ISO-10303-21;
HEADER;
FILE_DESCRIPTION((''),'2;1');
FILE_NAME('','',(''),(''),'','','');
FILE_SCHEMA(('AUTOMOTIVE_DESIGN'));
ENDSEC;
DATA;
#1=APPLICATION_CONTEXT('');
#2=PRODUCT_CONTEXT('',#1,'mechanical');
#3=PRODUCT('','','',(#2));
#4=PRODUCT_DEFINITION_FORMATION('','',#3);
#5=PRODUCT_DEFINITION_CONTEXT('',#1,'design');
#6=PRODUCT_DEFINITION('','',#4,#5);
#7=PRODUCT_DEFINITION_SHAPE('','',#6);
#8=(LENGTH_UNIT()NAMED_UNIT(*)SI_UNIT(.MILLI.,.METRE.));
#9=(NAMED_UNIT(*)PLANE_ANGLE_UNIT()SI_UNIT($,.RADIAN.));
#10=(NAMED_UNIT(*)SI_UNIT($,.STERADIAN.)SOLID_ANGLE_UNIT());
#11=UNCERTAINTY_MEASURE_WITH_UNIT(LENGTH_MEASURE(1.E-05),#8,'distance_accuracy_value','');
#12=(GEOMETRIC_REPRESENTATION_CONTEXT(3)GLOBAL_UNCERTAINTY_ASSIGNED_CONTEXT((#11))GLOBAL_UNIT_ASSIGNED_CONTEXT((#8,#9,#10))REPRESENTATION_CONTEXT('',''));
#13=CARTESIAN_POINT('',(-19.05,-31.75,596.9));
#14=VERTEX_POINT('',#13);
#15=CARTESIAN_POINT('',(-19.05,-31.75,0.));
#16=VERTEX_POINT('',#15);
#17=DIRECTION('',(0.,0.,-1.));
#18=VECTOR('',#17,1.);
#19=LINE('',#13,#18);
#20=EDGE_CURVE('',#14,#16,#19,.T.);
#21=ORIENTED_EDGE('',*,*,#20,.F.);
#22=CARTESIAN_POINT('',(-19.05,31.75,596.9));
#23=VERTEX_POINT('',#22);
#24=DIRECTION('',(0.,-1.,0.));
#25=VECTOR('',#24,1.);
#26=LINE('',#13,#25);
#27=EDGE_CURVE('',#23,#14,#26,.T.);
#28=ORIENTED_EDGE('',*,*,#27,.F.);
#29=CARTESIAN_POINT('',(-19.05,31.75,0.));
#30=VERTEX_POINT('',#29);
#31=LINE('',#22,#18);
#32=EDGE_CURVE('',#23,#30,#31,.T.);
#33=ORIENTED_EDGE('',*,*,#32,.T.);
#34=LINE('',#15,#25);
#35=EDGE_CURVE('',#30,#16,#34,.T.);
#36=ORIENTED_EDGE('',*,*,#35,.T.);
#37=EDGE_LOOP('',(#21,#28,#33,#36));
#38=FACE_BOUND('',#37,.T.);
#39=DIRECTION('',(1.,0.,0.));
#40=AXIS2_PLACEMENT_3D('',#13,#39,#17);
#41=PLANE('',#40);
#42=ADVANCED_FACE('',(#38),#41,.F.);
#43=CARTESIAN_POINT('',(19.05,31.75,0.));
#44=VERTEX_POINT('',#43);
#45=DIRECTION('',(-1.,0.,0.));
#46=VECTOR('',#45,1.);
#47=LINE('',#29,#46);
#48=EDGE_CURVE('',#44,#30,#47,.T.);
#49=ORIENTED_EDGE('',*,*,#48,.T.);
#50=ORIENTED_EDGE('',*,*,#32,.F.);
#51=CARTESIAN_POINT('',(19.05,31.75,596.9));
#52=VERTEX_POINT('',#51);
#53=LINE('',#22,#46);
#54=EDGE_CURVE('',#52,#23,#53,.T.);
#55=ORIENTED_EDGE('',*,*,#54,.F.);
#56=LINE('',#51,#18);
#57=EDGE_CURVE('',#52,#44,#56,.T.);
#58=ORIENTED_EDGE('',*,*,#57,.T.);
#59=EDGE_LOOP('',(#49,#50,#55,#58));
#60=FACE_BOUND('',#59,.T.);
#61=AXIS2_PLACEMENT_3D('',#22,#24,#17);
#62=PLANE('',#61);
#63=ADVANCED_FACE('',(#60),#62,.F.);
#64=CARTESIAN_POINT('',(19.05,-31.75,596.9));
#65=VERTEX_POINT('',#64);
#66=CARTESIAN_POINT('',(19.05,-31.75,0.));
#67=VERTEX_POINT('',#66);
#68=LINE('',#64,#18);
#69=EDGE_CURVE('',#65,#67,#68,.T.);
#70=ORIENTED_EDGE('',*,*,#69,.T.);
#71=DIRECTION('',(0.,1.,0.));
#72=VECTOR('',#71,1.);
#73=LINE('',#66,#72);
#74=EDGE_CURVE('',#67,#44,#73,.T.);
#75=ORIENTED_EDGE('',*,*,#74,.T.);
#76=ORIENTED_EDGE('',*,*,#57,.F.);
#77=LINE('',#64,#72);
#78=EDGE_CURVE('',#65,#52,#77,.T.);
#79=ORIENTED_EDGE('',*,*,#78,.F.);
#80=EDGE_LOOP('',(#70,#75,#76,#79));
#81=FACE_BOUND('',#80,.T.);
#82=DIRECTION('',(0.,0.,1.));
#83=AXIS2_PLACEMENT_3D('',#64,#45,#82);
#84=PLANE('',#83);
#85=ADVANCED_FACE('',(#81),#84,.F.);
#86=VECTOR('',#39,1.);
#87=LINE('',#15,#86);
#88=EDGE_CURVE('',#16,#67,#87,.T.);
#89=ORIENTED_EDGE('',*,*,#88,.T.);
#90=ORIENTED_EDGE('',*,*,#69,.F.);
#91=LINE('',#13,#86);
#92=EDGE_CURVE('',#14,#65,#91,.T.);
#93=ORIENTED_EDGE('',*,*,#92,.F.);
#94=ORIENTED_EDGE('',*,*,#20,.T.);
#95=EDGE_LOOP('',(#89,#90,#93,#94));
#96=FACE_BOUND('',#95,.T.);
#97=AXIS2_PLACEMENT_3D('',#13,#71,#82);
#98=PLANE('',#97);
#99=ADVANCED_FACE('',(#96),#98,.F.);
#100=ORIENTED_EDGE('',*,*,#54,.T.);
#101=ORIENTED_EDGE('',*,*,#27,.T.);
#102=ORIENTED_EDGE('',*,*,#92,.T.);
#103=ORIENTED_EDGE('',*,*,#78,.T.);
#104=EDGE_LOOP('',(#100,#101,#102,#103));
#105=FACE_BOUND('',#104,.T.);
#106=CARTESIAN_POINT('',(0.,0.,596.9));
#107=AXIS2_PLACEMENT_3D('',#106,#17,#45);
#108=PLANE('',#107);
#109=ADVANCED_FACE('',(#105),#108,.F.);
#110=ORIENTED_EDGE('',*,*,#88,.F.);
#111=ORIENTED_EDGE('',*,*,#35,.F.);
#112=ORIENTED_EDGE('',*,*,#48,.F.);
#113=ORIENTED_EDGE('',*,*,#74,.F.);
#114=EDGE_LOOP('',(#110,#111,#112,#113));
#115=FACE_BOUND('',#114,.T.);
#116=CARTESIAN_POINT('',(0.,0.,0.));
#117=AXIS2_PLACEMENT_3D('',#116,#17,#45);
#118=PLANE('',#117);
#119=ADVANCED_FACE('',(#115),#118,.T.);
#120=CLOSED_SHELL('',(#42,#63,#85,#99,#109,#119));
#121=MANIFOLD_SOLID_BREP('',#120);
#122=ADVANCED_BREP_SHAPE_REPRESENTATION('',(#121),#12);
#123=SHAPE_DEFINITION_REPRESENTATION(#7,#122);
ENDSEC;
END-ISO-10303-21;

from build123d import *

# Parameters (mm, degrees)
SKETCH1_W           = 38.1
SKETCH1_H           = 63.5
BOSS_EXTRUDE1_DEPTH = 596.9


with BuildPart() as part:
    # Sketch1 → Boss-Extrude1 (new body)
    with BuildSketch(Plane.XY):
        Rectangle(SKETCH1_W, SKETCH1_H)
    extrude(amount=BOSS_EXTRUDE1_DEPTH)


solid = part.part
